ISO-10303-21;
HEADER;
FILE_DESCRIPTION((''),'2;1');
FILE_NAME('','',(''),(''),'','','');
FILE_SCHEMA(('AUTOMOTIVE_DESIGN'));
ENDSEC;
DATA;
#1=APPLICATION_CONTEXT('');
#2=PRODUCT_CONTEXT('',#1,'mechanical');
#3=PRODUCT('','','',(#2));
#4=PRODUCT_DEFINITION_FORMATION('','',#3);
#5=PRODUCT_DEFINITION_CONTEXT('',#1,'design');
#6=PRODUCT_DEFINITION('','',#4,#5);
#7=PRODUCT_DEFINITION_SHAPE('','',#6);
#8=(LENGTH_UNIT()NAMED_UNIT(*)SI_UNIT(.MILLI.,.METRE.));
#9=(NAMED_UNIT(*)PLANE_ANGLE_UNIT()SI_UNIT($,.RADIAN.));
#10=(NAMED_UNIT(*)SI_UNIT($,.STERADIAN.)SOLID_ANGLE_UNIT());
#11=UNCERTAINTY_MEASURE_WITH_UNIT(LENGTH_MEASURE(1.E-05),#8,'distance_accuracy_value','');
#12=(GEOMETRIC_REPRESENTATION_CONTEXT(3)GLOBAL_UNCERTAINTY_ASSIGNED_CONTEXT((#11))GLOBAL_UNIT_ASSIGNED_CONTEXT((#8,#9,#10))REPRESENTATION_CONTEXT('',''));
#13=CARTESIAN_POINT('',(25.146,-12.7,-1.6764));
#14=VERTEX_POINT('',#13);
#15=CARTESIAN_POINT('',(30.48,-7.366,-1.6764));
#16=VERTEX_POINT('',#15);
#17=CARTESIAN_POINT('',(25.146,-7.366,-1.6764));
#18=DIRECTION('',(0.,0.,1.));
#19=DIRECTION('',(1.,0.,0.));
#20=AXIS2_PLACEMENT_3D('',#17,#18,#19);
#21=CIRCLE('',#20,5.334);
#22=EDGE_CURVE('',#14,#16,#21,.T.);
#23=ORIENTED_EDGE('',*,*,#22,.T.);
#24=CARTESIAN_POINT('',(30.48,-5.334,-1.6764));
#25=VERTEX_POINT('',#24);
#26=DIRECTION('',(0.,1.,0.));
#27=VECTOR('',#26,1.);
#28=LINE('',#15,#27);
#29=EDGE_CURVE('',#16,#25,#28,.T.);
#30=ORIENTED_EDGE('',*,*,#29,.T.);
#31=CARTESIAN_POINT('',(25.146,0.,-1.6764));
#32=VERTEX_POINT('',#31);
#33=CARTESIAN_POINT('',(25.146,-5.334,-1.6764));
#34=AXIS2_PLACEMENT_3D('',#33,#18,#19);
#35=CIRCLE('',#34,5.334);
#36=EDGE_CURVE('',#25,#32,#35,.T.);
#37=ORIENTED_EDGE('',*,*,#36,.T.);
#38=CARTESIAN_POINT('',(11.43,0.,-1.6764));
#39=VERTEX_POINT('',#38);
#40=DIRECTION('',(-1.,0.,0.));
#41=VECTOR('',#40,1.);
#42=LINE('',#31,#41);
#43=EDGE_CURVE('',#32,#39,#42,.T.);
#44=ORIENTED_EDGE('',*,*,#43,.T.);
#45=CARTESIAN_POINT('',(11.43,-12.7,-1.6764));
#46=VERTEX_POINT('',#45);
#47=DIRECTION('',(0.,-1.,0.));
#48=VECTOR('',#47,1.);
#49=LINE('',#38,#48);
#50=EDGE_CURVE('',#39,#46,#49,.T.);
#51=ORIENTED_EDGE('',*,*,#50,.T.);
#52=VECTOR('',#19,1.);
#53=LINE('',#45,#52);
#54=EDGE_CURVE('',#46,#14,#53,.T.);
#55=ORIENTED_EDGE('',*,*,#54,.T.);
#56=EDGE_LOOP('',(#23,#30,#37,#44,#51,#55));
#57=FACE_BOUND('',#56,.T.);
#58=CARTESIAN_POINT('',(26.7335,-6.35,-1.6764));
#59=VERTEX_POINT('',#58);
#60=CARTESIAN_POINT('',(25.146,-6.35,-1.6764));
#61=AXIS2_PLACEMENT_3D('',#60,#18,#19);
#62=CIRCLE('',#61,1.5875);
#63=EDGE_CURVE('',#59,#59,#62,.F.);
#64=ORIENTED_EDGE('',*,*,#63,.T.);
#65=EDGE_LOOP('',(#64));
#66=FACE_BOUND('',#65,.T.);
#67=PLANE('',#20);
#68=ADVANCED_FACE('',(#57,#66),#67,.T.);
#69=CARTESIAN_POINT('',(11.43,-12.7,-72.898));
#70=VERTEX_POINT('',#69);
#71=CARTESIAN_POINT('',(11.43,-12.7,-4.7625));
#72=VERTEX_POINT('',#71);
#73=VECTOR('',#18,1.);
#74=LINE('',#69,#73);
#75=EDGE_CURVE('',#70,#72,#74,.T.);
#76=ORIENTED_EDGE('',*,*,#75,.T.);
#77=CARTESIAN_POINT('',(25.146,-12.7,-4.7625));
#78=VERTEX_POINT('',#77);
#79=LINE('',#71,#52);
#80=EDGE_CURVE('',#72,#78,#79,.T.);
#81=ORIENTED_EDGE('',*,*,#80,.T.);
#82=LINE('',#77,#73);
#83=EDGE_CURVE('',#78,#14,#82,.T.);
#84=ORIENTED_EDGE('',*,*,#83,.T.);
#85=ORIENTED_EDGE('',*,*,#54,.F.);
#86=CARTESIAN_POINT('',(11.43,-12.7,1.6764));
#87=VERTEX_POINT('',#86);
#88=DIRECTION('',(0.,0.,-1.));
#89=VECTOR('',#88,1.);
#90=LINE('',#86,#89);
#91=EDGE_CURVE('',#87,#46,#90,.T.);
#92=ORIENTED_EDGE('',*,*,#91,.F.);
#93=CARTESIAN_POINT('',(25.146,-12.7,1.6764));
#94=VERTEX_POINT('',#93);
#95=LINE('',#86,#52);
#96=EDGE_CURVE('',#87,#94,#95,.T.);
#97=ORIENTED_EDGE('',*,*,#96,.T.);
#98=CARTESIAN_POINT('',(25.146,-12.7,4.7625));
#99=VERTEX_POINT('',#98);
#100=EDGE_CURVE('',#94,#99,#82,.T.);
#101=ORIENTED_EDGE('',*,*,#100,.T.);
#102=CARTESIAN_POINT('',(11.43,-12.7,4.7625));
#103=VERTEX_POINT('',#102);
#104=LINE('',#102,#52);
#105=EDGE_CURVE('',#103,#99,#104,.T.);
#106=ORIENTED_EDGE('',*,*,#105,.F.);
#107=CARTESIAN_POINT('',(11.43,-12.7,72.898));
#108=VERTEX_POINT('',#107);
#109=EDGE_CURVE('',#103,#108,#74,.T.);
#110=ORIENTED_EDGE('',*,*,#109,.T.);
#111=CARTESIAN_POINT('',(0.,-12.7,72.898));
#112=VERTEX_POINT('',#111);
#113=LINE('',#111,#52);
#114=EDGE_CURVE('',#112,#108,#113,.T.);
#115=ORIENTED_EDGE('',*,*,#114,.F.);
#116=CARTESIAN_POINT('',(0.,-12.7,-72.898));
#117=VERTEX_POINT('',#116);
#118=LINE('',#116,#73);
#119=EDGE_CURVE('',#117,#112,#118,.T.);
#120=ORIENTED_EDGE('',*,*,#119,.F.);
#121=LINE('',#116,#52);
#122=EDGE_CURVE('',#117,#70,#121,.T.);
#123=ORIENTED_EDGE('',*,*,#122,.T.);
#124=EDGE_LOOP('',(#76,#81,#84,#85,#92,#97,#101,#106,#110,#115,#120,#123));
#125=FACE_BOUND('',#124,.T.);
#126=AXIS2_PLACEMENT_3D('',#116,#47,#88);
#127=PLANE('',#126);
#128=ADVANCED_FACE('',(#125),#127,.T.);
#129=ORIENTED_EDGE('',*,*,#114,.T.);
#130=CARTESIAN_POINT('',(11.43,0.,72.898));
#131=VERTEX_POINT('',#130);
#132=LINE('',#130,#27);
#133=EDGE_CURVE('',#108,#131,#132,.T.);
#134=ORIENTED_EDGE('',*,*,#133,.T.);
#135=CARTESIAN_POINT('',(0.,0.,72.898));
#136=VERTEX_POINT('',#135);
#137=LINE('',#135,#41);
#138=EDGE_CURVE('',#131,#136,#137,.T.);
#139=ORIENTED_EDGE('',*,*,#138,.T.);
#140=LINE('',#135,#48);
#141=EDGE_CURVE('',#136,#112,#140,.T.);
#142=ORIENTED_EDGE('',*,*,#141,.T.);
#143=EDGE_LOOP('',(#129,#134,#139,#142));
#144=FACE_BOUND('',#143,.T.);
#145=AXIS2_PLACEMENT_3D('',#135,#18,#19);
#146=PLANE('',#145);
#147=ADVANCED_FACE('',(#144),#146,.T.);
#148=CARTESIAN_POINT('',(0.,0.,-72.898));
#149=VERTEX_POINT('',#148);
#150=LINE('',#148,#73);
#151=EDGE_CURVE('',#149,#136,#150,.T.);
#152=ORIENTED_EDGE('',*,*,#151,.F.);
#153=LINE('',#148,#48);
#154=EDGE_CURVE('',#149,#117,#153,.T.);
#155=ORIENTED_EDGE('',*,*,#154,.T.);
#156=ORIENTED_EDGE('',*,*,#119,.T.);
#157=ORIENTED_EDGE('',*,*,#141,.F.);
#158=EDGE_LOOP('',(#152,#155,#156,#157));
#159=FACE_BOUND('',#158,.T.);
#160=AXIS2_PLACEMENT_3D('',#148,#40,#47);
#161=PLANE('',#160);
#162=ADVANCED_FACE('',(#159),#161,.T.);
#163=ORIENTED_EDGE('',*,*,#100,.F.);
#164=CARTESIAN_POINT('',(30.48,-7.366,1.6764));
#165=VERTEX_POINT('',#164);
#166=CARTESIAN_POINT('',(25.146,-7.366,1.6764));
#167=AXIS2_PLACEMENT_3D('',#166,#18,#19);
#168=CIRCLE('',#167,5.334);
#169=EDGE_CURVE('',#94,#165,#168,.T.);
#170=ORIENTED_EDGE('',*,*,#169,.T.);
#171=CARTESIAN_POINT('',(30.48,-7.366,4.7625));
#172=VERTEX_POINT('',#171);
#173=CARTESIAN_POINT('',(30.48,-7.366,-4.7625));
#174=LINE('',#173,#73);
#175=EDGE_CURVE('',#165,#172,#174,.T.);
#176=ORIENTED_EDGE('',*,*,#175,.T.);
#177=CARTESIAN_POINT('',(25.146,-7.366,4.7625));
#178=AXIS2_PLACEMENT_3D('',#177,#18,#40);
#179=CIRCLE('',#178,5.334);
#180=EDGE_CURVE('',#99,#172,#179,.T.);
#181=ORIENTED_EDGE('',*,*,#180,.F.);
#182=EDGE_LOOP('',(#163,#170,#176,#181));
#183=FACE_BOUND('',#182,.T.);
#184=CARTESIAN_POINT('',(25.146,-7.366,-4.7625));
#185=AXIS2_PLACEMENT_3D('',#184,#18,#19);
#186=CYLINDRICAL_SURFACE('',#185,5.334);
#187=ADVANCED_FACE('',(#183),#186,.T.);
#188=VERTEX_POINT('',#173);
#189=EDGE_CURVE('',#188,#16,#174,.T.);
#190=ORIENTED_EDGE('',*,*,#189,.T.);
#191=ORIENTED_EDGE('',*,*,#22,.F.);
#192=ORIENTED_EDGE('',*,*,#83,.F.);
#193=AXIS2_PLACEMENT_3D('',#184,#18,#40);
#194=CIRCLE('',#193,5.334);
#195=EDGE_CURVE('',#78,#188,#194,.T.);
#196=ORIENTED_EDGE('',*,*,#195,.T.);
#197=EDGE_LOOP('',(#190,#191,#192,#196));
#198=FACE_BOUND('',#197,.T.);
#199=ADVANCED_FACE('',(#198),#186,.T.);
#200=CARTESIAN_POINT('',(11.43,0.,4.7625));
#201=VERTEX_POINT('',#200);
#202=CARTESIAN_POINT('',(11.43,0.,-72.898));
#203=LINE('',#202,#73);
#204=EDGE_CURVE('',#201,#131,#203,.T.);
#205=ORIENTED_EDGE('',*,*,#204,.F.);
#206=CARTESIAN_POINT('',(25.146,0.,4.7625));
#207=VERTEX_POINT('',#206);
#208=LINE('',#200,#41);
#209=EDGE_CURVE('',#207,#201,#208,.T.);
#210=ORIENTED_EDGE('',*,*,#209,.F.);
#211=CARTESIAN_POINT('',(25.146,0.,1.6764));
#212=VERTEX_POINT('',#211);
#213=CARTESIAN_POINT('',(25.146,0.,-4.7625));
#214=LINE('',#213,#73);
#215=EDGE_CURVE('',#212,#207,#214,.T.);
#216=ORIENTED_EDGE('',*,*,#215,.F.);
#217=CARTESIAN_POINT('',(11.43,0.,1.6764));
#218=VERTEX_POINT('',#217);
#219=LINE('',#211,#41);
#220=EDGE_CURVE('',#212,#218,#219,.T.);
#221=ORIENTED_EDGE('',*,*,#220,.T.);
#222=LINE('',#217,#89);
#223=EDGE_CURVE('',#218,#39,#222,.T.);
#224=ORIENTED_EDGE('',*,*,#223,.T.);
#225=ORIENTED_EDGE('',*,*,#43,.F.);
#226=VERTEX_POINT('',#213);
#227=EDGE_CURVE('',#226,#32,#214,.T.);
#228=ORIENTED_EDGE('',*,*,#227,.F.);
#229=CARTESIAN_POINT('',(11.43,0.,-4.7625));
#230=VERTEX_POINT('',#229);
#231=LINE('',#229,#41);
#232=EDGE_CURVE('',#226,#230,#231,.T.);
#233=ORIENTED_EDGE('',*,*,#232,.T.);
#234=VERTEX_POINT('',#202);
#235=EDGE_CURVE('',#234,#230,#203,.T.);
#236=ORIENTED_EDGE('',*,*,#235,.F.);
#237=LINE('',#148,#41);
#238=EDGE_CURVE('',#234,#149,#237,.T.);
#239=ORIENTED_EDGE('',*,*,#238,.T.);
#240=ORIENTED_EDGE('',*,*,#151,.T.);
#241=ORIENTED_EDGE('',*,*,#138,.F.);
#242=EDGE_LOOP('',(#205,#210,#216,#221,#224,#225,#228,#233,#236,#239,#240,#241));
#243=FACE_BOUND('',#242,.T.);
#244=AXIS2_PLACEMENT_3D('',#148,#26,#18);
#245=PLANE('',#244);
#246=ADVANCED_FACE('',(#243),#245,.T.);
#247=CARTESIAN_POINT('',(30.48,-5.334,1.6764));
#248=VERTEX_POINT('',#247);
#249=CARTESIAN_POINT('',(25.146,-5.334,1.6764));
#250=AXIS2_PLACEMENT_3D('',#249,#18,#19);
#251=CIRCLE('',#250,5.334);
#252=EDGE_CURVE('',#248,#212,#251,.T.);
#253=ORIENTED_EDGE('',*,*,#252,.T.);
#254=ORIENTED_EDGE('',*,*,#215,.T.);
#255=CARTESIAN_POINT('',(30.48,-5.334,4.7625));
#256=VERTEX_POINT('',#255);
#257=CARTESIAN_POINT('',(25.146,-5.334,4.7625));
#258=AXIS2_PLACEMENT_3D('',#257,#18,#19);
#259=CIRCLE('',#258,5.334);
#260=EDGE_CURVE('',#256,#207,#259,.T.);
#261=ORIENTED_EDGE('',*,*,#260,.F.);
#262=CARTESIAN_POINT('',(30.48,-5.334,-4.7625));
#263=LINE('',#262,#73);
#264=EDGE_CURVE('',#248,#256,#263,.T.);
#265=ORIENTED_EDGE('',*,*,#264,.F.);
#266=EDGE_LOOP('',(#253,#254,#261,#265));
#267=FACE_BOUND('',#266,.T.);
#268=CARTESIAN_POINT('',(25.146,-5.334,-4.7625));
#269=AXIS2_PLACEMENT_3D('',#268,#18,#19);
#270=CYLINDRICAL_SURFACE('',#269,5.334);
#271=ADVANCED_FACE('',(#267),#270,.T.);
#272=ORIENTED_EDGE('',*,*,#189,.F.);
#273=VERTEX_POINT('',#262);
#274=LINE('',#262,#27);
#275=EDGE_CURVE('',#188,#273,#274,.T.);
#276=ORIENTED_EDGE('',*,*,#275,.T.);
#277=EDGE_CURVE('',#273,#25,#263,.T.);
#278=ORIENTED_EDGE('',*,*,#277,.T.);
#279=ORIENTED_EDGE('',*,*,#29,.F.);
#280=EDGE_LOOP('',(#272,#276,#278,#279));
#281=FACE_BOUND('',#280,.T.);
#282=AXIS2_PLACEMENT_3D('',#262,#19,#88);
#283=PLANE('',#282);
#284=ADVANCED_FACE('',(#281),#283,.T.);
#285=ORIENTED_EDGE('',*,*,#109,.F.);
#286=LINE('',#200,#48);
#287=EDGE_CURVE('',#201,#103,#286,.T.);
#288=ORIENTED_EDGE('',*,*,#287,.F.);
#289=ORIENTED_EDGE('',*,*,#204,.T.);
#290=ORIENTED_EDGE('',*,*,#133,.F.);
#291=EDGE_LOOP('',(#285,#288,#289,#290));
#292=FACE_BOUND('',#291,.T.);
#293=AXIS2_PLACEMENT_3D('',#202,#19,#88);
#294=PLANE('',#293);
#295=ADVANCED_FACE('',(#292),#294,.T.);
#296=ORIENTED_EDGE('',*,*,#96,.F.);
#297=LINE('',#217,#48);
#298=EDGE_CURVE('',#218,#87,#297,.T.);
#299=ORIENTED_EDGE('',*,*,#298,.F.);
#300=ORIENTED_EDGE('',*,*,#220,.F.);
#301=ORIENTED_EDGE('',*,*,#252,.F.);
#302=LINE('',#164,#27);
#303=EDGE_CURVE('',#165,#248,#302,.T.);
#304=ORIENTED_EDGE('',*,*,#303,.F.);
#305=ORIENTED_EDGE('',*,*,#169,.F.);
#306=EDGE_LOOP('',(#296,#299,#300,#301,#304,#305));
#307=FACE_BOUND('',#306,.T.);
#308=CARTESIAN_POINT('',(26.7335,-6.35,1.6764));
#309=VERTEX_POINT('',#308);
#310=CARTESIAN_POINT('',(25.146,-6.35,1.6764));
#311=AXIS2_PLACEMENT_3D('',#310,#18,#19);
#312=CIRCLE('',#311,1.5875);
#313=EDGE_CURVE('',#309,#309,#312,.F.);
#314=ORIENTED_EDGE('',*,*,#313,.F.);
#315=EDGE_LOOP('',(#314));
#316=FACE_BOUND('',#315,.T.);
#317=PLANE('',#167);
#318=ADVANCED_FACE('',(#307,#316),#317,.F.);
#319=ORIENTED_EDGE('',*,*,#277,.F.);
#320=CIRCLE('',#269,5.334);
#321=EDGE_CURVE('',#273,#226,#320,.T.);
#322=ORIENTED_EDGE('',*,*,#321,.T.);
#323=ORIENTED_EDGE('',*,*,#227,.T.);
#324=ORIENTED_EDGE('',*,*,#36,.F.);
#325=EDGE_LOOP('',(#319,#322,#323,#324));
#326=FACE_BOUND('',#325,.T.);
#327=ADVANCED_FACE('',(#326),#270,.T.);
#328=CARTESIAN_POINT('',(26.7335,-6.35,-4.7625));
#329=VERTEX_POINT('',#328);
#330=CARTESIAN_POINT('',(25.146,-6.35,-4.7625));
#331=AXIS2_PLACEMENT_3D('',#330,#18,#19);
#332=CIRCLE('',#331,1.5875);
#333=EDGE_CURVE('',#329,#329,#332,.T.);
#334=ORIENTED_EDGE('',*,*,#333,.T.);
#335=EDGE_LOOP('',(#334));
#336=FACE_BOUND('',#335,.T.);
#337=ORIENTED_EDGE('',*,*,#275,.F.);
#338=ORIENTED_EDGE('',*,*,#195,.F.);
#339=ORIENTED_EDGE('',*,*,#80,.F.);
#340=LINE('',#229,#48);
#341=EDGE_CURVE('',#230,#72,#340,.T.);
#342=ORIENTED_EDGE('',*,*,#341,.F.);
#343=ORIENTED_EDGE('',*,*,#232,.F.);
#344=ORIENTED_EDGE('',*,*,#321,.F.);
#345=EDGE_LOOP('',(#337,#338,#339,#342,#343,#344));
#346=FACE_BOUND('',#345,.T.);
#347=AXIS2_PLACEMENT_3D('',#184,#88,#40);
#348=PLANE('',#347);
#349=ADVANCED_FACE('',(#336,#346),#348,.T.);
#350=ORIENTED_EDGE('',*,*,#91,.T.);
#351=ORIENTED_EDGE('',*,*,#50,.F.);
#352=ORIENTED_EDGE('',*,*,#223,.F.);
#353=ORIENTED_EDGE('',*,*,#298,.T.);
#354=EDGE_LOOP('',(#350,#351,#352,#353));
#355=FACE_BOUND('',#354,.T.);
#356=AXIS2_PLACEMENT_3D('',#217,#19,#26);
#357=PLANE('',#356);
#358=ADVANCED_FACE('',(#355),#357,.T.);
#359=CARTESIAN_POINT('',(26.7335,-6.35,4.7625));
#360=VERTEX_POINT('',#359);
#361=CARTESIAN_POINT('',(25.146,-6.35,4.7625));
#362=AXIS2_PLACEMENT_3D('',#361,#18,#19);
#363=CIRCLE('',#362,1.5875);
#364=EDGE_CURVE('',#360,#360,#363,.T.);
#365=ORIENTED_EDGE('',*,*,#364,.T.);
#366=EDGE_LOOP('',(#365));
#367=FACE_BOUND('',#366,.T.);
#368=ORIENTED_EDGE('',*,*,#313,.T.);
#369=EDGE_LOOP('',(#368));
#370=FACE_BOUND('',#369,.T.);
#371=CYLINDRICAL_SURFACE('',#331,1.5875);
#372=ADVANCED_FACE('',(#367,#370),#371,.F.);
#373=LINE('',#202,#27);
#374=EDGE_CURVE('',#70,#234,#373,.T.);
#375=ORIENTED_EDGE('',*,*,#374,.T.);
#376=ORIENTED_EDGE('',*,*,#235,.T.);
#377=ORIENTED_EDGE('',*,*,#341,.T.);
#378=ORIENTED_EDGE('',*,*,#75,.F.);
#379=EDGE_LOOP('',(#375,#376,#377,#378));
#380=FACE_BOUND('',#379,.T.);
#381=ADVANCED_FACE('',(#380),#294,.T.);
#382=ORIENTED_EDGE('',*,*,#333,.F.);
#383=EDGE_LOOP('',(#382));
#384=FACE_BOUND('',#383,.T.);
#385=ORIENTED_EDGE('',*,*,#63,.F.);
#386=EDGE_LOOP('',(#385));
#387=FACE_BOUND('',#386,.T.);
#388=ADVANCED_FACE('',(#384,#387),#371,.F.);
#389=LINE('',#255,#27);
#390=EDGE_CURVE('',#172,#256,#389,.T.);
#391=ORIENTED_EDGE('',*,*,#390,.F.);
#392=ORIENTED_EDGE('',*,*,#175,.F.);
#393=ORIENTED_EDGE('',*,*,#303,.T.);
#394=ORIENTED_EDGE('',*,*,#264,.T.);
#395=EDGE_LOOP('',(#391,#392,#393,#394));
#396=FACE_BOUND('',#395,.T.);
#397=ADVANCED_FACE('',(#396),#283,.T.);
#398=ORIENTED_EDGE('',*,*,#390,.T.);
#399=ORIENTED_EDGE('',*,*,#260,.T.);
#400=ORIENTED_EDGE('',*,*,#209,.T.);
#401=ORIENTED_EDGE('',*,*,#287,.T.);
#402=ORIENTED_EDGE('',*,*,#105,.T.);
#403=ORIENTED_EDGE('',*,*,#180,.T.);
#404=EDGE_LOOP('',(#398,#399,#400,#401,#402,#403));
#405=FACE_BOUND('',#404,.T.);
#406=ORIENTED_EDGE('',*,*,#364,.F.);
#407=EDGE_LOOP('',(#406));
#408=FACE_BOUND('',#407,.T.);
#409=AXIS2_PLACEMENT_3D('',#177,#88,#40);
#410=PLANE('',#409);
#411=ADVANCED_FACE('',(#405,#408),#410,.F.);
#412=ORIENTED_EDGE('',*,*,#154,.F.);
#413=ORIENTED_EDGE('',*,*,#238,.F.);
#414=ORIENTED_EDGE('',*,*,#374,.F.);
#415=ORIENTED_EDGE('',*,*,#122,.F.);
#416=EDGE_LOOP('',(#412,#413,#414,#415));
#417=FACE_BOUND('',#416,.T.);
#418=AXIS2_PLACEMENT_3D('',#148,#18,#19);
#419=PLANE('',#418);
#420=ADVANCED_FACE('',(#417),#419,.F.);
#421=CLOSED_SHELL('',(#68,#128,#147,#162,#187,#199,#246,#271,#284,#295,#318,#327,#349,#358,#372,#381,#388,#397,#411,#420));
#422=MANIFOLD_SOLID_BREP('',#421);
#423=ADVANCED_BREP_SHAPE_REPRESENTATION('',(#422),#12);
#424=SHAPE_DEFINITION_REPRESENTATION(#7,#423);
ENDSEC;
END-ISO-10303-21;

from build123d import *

# Parameters (mm, degrees)
SKETCH1_W                = 11.43
SKETCH1_H                = 12.7
BOSS_EXTRUDE1_DEPTH      = 72.898
BOSS_EXTRUDE1_DEPTH_BACK = 72.898
SKETCH2_R                = 1.5875
BOSS_EXTRUDE2_DEPTH      = 4.7625
BOSS_EXTRUDE2_DEPTH_BACK = 4.7625
CUT_EXTRUDE1_DEPTH       = 1.6764
CUT_EXTRUDE1_DEPTH_BACK  = 1.6764


with BuildPart() as part:
    # Sketch1 → Boss-Extrude1 (new body, two sides)
    with BuildSketch(Plane.XY) as boss_extrude1_sk:
        with Locations((5.715, -6.35)):
            Rectangle(SKETCH1_W, SKETCH1_H)
    extrude(amount=BOSS_EXTRUDE1_DEPTH)
    extrude(boss_extrude1_sk.sketch, amount=-BOSS_EXTRUDE1_DEPTH_BACK)

    # Sketch2 → Boss-Extrude2 (add, two sides)
    with BuildSketch(Plane.XY) as boss_extrude2_sk:
        with BuildLine():
            Line((11.43, 0), (25.146, 0))
            ThreePointArc((25.146, 0), (28.917707571, -1.562292429), (30.48, -5.334))
            Line((30.48, -5.334), (30.48, -7.366))
            ThreePointArc((30.48, -7.366), (28.917707571, -11.137707571), (25.146, -12.7))
            Line((25.146, -12.7), (11.43, -12.7))
            Line((11.43, -12.7), (11.43, 0))
        make_face()
        with Locations((25.146, -6.35)):
            Circle(SKETCH2_R, mode=Mode.SUBTRACT)
    extrude(amount=BOSS_EXTRUDE2_DEPTH)
    extrude(boss_extrude2_sk.sketch, amount=-BOSS_EXTRUDE2_DEPTH_BACK)

    # Sketch3 → Cut-Extrude1 (cut, two sides)
    with BuildSketch(Plane.XY) as cut_extrude1_sk:
        with BuildLine():
            Line((11.43, 0), (11.43, -12.7))
            Line((11.43, -12.7), (25.146, -12.7))
            ThreePointArc((25.146, -12.7), (28.917707571, -11.137707571), (30.48, -7.366))
            Line((30.48, -7.366), (30.48, -5.334))
            ThreePointArc((30.48, -5.334), (28.917707571, -1.562292429), (25.146, 0))
            Line((25.146, 0), (11.43, 0))
        make_face()
    extrude(amount=CUT_EXTRUDE1_DEPTH, mode=Mode.SUBTRACT)
    extrude(cut_extrude1_sk.sketch, amount=-CUT_EXTRUDE1_DEPTH_BACK, mode=Mode.SUBTRACT)


solid = part.part
